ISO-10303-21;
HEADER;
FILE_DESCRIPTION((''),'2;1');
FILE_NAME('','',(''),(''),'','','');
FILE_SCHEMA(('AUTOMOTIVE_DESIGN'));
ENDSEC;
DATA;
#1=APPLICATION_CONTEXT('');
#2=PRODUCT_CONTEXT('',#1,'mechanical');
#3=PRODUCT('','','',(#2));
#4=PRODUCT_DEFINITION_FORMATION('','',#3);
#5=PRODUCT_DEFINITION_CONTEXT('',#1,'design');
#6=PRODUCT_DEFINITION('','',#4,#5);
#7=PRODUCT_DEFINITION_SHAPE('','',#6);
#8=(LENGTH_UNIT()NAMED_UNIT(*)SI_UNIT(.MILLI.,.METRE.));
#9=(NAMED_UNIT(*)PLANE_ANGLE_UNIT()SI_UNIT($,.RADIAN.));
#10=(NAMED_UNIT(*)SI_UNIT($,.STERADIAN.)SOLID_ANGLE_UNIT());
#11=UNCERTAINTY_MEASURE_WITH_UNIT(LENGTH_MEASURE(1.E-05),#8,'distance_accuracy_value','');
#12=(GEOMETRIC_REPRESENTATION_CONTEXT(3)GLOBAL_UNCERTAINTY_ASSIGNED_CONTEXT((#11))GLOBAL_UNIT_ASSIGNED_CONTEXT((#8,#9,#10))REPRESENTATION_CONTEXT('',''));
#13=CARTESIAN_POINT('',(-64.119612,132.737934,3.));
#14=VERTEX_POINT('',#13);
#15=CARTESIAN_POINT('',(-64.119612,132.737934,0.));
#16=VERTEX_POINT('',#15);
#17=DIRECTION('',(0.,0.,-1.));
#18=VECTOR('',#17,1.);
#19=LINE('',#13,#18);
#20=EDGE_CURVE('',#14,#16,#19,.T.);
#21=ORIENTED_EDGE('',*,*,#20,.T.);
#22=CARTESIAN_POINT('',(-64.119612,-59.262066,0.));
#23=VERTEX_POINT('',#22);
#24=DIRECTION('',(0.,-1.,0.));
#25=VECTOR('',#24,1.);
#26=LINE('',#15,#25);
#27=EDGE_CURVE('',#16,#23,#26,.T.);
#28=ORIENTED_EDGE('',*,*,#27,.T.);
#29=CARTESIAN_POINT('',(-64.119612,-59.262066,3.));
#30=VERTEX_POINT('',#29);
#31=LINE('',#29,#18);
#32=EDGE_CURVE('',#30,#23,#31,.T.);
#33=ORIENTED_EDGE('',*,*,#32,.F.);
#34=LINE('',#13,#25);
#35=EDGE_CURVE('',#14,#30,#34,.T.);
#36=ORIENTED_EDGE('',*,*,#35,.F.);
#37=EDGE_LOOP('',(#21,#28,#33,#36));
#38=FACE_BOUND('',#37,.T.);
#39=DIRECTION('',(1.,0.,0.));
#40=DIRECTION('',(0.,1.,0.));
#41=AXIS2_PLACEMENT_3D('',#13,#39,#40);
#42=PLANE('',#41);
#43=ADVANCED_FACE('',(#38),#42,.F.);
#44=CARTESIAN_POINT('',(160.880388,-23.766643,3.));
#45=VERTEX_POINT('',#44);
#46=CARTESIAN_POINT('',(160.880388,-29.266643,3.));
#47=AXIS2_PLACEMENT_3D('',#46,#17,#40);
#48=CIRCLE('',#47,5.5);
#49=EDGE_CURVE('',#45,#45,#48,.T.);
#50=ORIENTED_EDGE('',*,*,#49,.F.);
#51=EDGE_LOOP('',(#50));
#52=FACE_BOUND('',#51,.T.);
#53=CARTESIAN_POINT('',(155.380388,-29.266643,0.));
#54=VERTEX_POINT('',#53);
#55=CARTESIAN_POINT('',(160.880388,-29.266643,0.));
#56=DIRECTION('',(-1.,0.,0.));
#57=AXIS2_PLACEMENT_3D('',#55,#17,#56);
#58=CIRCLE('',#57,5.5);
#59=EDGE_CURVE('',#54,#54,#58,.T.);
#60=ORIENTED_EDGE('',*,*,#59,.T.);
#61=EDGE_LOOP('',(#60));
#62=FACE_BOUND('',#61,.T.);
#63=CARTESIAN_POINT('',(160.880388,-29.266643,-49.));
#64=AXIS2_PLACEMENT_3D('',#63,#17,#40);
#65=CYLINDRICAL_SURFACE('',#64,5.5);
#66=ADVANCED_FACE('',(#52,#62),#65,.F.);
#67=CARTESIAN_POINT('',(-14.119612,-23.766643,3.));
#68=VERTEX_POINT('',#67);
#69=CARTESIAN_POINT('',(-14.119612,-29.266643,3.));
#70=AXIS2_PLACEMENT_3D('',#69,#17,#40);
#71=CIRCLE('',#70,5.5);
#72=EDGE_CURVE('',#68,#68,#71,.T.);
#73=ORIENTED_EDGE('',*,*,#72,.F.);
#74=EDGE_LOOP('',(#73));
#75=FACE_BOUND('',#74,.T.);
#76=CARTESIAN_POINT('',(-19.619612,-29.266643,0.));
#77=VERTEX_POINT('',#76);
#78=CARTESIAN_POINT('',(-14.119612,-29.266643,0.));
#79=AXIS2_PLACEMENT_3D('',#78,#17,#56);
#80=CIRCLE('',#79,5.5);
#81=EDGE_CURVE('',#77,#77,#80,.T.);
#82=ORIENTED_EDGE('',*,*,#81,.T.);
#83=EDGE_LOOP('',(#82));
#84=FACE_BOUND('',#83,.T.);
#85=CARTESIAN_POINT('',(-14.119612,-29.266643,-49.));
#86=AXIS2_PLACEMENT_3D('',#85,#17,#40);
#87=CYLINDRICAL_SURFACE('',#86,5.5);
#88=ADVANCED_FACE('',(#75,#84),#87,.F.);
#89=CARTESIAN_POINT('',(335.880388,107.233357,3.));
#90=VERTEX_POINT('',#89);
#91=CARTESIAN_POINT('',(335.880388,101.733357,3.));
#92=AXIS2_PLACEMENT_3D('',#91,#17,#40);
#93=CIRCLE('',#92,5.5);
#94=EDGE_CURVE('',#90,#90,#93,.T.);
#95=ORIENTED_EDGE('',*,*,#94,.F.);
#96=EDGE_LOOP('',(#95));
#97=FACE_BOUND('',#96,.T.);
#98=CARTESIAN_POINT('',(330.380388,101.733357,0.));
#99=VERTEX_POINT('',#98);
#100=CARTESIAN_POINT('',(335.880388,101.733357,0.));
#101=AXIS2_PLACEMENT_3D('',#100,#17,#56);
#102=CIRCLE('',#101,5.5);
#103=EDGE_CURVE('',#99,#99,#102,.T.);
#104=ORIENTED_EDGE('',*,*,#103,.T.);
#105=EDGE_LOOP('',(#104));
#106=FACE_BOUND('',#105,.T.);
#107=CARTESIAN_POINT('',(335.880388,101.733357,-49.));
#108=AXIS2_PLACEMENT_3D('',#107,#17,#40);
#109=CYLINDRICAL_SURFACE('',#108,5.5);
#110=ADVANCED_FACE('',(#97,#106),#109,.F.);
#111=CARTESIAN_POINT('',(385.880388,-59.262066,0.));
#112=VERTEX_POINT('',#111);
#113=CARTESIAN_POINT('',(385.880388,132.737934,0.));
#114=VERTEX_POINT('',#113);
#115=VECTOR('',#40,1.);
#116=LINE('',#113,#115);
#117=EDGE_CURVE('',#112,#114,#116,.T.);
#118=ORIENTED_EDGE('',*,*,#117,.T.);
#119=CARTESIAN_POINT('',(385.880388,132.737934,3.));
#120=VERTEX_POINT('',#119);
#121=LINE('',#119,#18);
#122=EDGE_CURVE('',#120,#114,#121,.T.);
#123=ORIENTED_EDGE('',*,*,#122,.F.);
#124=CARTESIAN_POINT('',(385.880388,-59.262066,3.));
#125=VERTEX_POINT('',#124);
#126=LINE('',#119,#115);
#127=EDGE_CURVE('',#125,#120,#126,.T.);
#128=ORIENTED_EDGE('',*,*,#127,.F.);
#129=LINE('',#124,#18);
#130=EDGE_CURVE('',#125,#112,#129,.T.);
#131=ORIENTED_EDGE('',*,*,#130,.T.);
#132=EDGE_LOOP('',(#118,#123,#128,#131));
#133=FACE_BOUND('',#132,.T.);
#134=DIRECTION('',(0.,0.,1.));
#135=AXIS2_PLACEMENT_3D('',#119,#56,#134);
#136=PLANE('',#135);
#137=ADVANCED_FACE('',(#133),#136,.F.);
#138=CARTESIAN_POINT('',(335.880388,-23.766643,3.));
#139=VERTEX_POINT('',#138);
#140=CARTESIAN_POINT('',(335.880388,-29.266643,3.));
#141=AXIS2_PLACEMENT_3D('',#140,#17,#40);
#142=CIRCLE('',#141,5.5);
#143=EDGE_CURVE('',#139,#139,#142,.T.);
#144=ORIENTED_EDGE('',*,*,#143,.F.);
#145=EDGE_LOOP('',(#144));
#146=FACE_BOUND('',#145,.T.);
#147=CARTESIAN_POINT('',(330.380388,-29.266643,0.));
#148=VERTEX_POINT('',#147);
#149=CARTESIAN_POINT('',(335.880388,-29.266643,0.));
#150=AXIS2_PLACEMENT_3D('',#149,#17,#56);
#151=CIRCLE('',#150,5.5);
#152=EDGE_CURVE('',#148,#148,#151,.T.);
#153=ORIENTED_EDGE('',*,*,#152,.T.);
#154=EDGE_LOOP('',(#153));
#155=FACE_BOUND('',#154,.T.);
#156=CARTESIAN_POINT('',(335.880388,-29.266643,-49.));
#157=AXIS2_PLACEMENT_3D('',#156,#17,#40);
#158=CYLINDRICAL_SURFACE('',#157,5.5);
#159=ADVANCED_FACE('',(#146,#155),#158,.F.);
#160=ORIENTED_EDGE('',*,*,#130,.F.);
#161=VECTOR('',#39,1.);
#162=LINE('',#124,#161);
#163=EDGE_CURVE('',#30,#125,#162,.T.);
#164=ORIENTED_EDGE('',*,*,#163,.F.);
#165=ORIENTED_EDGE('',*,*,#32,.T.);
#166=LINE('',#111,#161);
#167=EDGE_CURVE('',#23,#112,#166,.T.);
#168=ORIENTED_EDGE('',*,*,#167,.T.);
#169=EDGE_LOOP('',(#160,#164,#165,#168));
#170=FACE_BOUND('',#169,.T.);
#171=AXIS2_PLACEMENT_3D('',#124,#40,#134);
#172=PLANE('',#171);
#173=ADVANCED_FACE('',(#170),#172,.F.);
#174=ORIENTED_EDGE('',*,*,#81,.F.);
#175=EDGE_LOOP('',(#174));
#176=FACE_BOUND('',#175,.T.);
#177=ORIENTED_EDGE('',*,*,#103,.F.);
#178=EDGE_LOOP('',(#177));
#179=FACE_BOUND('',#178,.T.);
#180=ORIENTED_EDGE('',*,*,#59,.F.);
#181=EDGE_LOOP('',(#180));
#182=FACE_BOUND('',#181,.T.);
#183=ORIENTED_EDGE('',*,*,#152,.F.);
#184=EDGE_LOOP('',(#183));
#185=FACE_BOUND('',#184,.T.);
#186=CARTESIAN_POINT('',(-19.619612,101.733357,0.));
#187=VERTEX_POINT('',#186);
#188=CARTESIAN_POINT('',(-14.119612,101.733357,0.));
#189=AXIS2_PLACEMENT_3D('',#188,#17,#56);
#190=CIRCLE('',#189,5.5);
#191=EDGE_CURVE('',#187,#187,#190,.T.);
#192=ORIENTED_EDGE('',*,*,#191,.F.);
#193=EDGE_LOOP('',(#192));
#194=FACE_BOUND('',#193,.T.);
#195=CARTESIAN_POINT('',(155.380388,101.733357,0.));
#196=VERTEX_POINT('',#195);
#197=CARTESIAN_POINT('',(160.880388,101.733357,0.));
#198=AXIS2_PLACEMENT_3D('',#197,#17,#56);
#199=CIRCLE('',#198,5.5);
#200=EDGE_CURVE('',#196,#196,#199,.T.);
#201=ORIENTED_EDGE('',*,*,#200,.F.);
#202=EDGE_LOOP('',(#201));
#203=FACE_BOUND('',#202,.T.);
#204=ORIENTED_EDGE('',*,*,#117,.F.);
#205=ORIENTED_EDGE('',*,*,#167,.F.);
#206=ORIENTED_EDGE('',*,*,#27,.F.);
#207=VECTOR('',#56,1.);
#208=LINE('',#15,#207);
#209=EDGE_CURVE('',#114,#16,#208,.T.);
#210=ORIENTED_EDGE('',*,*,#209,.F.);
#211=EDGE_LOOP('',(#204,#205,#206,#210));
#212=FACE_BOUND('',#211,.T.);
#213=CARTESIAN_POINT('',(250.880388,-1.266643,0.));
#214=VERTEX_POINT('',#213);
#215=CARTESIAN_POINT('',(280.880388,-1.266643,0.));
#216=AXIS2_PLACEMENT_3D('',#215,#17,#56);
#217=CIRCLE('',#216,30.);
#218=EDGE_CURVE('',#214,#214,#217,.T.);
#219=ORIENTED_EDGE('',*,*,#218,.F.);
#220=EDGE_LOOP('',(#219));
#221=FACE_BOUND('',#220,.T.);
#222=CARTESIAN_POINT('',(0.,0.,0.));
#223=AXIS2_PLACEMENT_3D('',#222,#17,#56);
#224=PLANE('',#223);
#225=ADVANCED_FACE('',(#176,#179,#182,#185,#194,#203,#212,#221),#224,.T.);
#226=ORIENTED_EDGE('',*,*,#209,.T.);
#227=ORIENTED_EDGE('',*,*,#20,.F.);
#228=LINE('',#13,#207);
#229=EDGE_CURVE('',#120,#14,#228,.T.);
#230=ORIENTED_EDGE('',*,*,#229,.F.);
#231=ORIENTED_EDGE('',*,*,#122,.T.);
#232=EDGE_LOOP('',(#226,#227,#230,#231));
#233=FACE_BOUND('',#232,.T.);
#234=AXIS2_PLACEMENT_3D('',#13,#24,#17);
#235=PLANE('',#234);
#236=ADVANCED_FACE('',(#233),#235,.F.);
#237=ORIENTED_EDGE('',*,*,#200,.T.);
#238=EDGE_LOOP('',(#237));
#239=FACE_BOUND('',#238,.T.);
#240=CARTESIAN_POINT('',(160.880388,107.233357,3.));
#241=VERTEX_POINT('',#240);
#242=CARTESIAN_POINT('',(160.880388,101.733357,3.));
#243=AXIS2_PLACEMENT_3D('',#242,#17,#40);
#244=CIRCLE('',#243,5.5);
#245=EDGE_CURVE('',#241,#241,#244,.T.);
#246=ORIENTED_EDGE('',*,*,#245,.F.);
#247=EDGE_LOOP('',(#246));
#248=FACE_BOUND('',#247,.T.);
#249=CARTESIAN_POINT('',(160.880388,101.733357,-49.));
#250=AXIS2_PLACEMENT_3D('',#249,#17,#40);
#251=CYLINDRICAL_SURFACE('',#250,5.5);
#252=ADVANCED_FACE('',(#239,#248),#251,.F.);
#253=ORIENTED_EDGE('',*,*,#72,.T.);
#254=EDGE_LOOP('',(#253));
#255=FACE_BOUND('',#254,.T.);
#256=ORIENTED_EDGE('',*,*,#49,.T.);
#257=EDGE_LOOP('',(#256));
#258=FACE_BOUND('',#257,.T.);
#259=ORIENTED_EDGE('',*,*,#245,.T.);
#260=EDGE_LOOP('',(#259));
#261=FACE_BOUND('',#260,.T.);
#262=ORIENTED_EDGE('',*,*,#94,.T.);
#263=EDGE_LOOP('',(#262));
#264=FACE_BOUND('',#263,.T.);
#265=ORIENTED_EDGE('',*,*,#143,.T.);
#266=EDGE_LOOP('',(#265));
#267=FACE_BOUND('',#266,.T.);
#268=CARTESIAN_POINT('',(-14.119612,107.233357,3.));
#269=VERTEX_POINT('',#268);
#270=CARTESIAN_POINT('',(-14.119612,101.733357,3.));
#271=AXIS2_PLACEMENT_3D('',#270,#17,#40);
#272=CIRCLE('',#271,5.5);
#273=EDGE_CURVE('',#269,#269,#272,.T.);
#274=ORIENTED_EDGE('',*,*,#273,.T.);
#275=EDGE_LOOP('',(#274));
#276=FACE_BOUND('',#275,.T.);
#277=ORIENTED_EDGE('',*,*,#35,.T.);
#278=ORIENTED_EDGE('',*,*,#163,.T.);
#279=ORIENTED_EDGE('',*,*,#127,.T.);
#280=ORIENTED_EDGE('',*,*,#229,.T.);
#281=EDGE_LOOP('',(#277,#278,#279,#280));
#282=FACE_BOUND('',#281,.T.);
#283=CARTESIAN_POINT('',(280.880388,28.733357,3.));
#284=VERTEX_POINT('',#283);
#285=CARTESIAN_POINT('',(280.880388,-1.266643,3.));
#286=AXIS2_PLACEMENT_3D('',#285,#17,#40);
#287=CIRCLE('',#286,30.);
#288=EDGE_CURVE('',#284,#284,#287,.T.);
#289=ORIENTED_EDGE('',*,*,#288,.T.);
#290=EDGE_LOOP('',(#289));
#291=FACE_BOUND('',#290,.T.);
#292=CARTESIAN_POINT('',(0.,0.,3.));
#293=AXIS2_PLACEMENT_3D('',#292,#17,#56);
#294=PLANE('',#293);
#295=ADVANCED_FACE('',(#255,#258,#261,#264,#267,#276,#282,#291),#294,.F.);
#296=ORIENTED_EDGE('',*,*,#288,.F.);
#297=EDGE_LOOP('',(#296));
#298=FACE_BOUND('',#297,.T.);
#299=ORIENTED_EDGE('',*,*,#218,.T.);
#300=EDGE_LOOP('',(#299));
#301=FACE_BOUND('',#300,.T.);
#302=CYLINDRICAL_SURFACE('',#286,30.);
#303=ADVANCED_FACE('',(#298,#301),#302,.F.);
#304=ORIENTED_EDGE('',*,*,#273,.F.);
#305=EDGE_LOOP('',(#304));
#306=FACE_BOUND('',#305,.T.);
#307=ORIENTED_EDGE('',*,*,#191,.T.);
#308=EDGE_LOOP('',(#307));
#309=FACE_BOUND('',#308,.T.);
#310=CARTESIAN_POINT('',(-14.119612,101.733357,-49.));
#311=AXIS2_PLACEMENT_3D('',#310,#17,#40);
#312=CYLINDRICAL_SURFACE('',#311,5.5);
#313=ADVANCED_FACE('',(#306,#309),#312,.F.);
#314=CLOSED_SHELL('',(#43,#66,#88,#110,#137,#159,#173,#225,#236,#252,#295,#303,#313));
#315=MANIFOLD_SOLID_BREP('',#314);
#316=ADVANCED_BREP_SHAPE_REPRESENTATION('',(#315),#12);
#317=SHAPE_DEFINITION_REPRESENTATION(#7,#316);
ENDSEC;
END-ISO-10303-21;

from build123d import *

# Parameters (mm, degrees)
SKETCH1_W             = 450
SKETCH1_H             = 192
BOSS_EXTRUDE1_DEPTH   = 3
SKETCH2_R             = 30
CUT_EXTRUDE1_DEPTH    = 605.559191308
M10_CLEARANCE_SLOT1_D = 11


with BuildPart() as part:
    # Sketch1 → Boss-Extrude1 (new body)
    with BuildSketch(Plane.XY):
        with Locations((160.880387918, 36.737934288)):
            Rectangle(SKETCH1_W, SKETCH1_H)
    extrude(amount=BOSS_EXTRUDE1_DEPTH)

    # Sketch2 → Cut-Extrude1 (cut, through all)
    with BuildSketch(Plane(origin=(-44.574932583, -288.564846201, -49), x_dir=(-1, 0, 0), z_dir=(0, 0, -1))):
        with Locations(Location((-325.455320501, 287.298203547, 0), (0, 0, 90))):
            Circle(SKETCH2_R)
    extrude(amount=-CUT_EXTRUDE1_DEPTH, mode=Mode.SUBTRACT)

    # M10 Clearance Slot1 (through all)
    with Locations(Plane(origin=(-44.574932583, -288.564846201, -49), x_dir=(-1, 0, 0), z_dir=(0, 0, -1))):
        with Locations((-380.455320501, 390.298203547), (-205.455320501, 390.298203547), (-30.455320501, 390.298203547), (-30.455320501, 259.298203547), (-205.455320501, 259.298203547), (-380.455320501, 259.298203547)):
            Hole(M10_CLEARANCE_SLOT1_D / 2)


solid = part.part
